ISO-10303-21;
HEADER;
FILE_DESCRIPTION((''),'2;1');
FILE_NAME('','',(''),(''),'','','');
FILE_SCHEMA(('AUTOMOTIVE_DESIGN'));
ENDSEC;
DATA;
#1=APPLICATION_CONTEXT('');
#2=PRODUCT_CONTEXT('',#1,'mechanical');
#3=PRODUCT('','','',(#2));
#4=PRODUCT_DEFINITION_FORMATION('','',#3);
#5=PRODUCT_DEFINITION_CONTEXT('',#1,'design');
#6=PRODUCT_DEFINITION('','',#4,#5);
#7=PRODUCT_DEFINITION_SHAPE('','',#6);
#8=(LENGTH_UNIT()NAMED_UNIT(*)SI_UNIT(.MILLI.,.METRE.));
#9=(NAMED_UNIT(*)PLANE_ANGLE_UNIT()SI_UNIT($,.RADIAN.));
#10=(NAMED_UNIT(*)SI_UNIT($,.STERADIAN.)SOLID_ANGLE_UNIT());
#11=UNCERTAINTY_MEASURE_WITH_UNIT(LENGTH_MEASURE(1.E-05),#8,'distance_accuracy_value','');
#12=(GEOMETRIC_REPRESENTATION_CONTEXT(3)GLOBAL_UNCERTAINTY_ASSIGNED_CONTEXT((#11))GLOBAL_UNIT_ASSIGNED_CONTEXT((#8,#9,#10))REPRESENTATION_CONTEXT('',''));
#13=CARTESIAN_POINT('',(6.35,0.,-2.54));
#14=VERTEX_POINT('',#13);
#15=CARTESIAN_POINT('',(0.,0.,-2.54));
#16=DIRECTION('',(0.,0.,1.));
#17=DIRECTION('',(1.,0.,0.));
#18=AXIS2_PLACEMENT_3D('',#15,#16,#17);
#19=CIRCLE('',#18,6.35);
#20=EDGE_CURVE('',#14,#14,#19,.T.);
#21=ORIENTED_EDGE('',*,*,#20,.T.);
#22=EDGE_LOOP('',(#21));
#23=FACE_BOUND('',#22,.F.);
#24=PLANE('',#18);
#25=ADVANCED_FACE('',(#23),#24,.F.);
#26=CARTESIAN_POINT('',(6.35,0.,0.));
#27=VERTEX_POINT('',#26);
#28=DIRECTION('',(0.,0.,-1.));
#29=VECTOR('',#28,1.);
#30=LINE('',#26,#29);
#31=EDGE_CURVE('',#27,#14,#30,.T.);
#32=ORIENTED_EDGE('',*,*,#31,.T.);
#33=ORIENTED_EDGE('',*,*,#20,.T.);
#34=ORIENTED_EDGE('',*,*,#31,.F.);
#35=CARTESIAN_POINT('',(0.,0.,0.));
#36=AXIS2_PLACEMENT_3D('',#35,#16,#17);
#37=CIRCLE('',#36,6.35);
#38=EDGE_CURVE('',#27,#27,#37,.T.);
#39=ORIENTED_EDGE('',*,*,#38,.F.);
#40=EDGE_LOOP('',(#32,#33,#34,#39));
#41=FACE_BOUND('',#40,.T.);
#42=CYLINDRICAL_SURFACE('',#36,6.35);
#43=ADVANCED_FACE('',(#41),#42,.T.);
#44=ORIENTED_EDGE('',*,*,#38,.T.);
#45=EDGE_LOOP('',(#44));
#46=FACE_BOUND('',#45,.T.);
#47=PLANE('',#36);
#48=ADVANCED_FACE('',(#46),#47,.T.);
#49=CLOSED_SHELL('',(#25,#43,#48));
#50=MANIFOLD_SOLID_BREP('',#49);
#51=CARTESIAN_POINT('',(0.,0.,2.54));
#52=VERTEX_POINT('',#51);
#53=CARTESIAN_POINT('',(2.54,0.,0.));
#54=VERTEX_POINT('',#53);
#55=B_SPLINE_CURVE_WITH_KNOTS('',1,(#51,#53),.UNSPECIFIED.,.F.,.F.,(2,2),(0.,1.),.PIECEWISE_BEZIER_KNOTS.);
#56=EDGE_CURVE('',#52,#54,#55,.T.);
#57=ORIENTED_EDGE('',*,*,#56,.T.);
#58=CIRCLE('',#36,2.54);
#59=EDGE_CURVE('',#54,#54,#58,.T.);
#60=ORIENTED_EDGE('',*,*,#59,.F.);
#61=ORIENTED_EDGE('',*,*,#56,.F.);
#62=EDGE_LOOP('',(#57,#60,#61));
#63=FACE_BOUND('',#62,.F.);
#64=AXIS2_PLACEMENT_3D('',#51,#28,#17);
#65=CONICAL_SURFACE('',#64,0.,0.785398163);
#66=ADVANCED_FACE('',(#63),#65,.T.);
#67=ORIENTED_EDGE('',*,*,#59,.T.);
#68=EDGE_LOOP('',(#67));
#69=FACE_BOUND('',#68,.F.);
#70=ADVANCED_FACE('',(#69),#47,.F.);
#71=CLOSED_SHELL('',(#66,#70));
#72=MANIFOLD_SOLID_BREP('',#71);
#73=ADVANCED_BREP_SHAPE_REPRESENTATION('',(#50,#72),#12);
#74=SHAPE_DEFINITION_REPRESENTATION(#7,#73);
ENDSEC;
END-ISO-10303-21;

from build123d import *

# Parameters (mm, degrees)
F1_R     = 2.54
F0_R     = 6.35
F5_DEPTH = 2.54


with BuildPart() as f4:
    # F1 (on Top) → F4 section 0
    with BuildSketch(Plane.XY, mode=Mode.PRIVATE) as f4_s0:
        Circle(F1_R)
    loft([Vertex(0, 0, 2.54), f4_s0.sketch])


with BuildPart() as f5:
    # F0 (on Top) → F5 (new body)
    with BuildSketch(Plane.XY):
        Circle(F0_R)
    extrude(amount=-F5_DEPTH)


solid = Compound([f4.part, f5.part])
